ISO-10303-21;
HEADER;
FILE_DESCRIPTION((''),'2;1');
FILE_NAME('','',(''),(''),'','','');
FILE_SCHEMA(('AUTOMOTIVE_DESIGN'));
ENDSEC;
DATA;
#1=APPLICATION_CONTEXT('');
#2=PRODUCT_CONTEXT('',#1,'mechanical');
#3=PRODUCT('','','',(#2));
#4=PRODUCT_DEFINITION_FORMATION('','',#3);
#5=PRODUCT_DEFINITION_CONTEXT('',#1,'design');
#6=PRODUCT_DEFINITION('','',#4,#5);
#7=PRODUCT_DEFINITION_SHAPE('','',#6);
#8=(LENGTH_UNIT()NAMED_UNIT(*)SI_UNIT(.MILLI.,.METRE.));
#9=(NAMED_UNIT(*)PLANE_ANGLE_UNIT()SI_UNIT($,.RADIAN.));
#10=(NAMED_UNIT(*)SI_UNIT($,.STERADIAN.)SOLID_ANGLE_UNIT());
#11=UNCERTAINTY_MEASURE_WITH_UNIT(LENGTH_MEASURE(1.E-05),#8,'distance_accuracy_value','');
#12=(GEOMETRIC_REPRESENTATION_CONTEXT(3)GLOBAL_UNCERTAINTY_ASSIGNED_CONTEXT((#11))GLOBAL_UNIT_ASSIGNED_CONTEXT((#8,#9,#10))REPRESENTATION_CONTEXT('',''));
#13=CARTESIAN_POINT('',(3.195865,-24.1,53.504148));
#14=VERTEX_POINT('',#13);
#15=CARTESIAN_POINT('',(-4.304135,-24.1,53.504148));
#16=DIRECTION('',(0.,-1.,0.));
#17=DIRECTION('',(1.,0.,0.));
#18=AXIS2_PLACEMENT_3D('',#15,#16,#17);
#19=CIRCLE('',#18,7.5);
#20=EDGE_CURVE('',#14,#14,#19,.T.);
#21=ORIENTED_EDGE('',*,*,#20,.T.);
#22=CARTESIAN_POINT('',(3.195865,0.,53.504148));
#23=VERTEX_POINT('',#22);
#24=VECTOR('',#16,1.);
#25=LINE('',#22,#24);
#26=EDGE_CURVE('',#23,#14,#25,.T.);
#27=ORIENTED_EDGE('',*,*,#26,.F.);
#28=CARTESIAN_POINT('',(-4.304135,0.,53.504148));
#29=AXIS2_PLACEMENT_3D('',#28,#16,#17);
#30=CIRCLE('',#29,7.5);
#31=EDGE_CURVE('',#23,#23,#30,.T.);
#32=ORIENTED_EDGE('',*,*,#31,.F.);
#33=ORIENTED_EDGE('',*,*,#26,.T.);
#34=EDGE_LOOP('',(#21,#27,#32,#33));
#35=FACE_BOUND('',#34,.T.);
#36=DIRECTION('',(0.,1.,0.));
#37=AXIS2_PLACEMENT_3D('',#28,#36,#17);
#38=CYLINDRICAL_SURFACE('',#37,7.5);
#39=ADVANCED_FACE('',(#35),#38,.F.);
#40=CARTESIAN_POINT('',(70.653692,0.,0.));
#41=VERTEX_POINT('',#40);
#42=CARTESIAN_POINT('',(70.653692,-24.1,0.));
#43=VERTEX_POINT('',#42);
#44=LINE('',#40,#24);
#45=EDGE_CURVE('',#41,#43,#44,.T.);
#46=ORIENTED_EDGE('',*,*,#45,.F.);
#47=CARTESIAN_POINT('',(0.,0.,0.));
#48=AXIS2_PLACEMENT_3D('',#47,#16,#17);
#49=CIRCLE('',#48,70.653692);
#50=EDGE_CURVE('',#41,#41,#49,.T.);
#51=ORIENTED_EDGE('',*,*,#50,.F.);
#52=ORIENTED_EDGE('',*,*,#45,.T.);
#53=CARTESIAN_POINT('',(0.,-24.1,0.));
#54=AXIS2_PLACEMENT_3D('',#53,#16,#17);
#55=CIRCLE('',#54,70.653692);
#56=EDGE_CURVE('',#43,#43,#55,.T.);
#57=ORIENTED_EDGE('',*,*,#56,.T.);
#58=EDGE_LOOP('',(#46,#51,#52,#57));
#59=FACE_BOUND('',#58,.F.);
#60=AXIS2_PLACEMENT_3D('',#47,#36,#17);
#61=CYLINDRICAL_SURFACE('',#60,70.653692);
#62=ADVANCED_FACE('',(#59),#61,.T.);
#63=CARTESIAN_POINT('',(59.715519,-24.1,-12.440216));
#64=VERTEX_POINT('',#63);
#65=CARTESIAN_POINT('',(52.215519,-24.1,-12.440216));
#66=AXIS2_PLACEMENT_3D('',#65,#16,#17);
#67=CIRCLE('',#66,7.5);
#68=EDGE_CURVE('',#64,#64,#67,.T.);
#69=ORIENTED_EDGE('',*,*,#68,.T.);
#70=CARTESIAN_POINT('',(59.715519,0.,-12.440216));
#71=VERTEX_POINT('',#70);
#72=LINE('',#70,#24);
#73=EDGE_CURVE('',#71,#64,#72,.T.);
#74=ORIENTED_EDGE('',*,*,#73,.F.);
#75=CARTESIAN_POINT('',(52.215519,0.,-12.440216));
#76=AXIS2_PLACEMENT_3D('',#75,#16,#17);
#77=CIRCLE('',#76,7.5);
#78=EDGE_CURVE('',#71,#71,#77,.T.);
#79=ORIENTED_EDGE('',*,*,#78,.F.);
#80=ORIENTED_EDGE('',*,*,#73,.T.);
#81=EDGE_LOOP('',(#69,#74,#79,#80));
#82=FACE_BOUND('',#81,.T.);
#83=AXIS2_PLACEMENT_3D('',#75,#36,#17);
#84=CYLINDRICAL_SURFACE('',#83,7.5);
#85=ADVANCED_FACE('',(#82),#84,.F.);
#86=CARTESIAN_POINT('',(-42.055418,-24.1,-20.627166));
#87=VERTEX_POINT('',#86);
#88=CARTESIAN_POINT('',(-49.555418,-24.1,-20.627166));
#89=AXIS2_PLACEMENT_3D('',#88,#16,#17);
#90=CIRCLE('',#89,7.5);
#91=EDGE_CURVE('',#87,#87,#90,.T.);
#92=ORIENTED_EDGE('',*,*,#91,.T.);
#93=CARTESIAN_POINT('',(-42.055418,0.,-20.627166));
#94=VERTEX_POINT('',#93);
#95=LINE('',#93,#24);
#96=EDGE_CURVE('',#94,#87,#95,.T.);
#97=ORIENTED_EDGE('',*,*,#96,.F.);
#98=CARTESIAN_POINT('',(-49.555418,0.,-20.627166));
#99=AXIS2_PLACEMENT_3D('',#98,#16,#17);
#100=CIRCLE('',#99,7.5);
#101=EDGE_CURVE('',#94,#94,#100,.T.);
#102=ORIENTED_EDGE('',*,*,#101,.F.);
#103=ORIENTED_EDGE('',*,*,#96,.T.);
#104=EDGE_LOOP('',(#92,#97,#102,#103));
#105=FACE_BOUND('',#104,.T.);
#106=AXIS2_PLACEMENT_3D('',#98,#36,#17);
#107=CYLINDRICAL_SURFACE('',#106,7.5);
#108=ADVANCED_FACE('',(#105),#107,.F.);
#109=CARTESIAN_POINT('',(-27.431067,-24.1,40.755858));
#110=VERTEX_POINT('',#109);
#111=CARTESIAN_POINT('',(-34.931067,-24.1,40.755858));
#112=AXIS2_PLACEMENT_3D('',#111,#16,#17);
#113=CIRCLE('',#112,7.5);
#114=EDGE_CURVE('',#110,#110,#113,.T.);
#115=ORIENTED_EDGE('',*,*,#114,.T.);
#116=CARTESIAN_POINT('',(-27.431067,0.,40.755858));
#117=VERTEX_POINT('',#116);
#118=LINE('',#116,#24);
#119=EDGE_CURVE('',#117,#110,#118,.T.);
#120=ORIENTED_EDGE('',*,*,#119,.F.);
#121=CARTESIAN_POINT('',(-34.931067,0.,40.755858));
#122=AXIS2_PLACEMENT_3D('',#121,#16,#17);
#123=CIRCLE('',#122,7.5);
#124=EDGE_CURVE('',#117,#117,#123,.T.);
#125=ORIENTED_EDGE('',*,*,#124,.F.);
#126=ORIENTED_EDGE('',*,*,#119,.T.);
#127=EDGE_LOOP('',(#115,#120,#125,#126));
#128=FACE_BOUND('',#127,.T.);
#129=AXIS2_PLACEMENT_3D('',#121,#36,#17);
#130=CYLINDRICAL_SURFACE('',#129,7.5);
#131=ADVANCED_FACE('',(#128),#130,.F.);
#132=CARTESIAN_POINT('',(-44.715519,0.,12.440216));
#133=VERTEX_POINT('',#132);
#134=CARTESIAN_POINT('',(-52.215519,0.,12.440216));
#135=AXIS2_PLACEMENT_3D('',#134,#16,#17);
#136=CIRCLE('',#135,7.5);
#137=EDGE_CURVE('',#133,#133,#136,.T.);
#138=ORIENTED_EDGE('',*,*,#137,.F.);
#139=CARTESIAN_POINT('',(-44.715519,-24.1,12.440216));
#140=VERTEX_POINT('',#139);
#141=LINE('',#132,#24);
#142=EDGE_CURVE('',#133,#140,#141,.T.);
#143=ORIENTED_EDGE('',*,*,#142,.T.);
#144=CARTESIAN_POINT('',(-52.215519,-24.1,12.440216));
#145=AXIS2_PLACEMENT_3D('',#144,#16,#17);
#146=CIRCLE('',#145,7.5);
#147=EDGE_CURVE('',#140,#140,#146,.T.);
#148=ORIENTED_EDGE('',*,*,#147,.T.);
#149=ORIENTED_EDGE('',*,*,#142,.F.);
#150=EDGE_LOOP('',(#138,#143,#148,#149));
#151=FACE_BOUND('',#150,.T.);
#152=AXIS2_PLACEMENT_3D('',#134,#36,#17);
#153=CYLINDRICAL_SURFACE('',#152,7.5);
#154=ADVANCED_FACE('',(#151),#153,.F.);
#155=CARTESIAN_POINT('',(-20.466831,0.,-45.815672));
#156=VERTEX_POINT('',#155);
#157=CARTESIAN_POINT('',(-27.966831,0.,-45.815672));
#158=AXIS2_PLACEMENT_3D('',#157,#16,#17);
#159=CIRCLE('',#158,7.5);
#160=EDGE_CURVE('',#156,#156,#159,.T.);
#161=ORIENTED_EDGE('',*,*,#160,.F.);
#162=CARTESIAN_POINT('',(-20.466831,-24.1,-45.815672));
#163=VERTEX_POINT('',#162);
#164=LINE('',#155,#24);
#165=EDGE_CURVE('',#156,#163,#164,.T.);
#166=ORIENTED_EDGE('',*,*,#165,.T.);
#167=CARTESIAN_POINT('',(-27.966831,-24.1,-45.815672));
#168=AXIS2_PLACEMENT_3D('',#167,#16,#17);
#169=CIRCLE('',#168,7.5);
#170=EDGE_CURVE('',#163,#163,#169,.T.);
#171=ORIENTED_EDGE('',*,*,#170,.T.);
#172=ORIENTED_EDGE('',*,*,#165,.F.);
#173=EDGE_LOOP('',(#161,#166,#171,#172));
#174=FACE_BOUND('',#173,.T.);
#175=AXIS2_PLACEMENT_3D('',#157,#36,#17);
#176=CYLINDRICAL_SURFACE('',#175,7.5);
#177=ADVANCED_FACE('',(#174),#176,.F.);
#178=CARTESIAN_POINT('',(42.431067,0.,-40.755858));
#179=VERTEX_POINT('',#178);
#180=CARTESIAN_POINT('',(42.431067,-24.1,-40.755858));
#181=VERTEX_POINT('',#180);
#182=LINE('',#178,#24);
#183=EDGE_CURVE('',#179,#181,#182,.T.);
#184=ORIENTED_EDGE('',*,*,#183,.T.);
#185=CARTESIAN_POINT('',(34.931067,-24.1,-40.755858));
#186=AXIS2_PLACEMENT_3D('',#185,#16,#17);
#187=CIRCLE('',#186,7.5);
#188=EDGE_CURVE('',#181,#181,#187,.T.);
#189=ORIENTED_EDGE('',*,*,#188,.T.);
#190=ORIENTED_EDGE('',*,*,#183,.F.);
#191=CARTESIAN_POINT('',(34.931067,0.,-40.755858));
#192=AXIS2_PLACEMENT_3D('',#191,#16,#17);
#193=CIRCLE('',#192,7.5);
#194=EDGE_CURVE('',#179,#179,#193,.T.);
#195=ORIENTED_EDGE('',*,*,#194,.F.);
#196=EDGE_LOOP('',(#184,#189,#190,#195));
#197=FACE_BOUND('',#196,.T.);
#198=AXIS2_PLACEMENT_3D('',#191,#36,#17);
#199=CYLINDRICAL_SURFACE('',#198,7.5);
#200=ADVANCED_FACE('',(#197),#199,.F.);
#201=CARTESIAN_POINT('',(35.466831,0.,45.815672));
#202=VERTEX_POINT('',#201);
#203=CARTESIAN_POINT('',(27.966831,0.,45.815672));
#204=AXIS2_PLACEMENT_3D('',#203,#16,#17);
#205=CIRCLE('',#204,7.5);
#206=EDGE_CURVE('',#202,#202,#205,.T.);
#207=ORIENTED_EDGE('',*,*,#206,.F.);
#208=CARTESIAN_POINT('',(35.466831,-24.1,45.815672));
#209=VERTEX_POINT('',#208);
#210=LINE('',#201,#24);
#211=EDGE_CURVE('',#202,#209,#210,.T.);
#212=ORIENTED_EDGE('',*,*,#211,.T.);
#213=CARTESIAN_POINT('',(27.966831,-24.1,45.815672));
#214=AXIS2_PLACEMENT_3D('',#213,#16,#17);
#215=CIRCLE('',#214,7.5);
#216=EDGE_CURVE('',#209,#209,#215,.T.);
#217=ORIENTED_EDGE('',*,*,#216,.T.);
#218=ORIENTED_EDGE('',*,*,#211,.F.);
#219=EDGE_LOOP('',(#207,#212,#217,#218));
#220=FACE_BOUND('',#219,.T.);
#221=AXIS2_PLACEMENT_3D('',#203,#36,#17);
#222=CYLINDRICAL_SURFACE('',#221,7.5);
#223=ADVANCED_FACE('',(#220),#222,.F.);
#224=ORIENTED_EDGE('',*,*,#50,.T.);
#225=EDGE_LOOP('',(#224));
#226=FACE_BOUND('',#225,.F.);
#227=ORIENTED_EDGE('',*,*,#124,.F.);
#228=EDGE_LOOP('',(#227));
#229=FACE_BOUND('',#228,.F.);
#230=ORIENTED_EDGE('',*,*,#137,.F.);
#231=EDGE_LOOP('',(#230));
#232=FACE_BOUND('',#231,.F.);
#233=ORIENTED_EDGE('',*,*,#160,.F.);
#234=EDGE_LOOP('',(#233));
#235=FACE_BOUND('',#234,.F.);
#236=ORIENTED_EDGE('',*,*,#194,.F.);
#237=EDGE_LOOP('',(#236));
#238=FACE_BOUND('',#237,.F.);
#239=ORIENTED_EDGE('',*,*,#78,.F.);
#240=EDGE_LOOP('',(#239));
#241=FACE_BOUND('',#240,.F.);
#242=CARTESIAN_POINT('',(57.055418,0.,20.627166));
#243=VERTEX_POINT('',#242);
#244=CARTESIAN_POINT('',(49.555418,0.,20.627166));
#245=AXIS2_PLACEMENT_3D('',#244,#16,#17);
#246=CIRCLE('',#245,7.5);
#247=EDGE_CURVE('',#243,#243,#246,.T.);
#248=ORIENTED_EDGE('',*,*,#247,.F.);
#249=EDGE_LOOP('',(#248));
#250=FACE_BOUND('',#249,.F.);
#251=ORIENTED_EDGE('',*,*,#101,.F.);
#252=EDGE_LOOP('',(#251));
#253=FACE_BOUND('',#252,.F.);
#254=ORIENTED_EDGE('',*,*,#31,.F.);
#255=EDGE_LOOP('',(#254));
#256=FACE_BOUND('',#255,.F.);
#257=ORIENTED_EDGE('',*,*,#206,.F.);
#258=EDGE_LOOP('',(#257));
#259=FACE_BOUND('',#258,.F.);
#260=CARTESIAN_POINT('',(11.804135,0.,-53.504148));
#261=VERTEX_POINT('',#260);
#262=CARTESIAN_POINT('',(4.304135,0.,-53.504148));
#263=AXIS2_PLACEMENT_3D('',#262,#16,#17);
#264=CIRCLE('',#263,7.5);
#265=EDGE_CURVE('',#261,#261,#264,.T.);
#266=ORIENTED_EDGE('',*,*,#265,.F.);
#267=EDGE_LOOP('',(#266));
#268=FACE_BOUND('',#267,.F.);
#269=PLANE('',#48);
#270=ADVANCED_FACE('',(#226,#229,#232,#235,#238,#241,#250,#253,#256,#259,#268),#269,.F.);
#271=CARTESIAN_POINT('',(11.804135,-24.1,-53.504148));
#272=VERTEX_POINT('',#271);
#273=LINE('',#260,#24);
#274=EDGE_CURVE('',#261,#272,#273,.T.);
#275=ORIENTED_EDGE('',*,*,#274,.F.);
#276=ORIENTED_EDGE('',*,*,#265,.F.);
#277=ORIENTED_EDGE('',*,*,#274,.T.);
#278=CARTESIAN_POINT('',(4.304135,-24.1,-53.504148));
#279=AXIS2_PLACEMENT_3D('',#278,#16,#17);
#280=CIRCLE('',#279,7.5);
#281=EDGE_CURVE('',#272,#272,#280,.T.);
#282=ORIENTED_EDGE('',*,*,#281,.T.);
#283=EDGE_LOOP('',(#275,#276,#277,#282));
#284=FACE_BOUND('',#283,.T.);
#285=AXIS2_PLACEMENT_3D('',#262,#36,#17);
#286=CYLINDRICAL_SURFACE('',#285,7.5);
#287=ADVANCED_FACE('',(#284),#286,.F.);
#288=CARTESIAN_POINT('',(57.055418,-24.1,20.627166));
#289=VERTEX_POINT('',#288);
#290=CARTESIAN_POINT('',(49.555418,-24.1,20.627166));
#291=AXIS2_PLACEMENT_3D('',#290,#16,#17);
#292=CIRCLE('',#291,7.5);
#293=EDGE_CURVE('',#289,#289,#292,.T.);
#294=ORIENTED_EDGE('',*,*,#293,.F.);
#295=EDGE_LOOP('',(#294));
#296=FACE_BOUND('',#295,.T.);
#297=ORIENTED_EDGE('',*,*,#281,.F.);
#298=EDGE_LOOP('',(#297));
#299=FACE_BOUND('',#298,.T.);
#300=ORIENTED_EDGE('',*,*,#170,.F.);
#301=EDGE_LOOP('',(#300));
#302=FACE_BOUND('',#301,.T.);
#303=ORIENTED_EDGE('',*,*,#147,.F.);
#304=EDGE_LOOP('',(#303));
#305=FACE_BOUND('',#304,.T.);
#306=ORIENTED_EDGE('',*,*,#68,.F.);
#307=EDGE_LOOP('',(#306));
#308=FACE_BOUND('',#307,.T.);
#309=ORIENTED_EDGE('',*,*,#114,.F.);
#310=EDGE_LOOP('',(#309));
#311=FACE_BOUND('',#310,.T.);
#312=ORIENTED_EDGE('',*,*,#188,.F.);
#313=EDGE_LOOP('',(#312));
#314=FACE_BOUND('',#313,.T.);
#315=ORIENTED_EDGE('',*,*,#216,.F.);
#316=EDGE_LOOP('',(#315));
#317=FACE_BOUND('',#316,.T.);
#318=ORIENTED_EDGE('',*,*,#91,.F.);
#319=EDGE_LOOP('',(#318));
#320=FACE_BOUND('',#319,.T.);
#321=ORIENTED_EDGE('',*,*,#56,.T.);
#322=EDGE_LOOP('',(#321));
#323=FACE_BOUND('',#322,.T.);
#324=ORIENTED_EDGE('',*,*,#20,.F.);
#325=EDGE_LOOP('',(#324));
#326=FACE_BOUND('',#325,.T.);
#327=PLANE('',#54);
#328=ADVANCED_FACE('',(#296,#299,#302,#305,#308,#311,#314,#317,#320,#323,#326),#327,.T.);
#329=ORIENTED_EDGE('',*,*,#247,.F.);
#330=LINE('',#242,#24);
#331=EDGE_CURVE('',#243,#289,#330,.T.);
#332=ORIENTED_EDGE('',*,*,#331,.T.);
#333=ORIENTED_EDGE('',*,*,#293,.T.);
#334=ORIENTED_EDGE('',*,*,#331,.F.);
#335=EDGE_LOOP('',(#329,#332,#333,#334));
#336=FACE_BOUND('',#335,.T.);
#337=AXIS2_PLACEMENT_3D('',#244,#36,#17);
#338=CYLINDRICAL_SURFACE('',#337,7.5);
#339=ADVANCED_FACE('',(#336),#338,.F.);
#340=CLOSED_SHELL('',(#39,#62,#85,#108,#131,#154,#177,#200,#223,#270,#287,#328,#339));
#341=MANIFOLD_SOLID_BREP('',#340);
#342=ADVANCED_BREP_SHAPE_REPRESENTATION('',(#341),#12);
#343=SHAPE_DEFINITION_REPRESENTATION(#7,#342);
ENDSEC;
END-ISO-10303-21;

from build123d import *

# Parameters (mm, degrees)
F0_R     = 70.653692
F0_R_2   = 7.5
F1_DEPTH = 24.1


with BuildPart() as f1:
    # F0 (on Front) → F1 (new body)
    with BuildSketch(Plane.XZ):
        Circle(F0_R)
        with Locations((-27.966831, -45.815672)):
            Circle(F0_R_2, mode=Mode.SUBTRACT)
        with Locations((-49.555418, -20.627166)):
            Circle(F0_R_2, mode=Mode.SUBTRACT)
        with Locations((4.304135, -53.504148)):
            Circle(F0_R_2, mode=Mode.SUBTRACT)
        with Locations((34.931067, -40.755858)):
            Circle(F0_R_2, mode=Mode.SUBTRACT)
        with Locations((52.215519, -12.440216)):
            Circle(F0_R_2, mode=Mode.SUBTRACT)
        with Locations((-52.215519, 12.440216)):
            Circle(F0_R_2, mode=Mode.SUBTRACT)
        with Locations((-34.931067, 40.755858)):
            Circle(F0_R_2, mode=Mode.SUBTRACT)
        with Locations((-4.304135, 53.504148)):
            Circle(F0_R_2, mode=Mode.SUBTRACT)
        with Locations((49.555418, 20.627166)):
            Circle(F0_R_2, mode=Mode.SUBTRACT)
        with Locations((27.966831, 45.815672)):
            Circle(F0_R_2, mode=Mode.SUBTRACT)
    extrude(amount=F1_DEPTH)


solid = f1.part
